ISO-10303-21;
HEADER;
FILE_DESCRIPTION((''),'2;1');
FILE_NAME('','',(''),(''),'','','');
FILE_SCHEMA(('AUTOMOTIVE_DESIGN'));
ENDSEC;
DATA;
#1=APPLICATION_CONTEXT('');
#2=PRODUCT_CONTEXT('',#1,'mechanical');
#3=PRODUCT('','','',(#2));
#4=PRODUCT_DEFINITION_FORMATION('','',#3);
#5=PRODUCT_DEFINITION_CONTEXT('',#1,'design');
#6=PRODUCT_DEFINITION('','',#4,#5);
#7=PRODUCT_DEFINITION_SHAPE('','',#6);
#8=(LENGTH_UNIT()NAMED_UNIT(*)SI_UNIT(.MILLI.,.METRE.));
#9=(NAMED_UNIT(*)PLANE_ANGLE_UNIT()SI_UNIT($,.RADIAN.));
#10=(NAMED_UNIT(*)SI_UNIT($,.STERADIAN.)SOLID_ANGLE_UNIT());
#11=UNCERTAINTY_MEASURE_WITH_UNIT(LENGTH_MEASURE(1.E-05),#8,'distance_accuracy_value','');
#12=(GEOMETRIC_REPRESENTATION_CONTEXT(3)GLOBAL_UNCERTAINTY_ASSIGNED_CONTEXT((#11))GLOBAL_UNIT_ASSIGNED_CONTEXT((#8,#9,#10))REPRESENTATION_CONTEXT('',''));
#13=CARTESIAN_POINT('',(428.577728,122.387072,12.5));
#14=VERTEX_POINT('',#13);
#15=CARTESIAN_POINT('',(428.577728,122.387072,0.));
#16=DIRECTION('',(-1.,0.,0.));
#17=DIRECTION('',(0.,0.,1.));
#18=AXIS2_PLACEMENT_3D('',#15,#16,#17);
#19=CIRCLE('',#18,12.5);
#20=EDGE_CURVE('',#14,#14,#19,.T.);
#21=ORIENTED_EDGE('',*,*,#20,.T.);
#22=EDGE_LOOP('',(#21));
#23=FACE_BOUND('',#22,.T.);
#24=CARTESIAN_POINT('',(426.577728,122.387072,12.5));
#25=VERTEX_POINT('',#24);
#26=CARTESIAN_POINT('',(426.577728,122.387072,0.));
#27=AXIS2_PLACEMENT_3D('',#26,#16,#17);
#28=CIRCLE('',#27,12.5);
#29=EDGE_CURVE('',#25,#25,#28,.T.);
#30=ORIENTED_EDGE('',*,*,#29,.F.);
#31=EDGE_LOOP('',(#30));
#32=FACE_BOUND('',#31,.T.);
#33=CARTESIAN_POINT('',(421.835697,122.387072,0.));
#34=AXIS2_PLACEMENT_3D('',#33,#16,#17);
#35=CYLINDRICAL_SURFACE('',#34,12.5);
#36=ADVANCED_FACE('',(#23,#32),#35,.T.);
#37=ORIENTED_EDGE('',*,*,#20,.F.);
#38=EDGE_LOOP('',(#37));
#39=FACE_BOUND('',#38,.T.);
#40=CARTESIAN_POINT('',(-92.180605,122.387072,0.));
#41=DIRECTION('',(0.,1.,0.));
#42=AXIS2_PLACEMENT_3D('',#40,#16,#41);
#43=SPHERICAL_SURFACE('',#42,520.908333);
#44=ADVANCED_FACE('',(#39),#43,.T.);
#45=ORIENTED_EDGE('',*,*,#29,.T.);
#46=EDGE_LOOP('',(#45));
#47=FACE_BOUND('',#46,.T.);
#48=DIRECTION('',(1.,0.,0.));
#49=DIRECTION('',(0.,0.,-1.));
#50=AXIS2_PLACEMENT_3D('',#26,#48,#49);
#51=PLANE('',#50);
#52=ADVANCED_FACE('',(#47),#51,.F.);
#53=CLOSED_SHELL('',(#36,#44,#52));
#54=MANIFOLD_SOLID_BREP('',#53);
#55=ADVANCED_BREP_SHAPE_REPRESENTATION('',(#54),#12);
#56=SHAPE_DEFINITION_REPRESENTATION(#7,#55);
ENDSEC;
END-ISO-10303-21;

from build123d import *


with BuildPart() as part:
    # 草图1 → 旋转1 (revolve)
    with BuildSketch(Plane.XY):
        with BuildLine():
            Line((426.577728221, 122.387071527), (426.577728221, 134.887071527))
            Line((426.577728221, 134.887071527), (428.577728221, 134.887071527))
            ThreePointArc((428.577728221, 134.887071527), (428.690226871, 128.63752151), (428.727728221, 122.387071527))
            Line((428.727728221, 122.387071527), (426.577728221, 122.387071527))
        make_face()
    revolve(axis=Axis((421.835696979, 122.387071527, 0), (1, 0, 0)))


solid = part.part
